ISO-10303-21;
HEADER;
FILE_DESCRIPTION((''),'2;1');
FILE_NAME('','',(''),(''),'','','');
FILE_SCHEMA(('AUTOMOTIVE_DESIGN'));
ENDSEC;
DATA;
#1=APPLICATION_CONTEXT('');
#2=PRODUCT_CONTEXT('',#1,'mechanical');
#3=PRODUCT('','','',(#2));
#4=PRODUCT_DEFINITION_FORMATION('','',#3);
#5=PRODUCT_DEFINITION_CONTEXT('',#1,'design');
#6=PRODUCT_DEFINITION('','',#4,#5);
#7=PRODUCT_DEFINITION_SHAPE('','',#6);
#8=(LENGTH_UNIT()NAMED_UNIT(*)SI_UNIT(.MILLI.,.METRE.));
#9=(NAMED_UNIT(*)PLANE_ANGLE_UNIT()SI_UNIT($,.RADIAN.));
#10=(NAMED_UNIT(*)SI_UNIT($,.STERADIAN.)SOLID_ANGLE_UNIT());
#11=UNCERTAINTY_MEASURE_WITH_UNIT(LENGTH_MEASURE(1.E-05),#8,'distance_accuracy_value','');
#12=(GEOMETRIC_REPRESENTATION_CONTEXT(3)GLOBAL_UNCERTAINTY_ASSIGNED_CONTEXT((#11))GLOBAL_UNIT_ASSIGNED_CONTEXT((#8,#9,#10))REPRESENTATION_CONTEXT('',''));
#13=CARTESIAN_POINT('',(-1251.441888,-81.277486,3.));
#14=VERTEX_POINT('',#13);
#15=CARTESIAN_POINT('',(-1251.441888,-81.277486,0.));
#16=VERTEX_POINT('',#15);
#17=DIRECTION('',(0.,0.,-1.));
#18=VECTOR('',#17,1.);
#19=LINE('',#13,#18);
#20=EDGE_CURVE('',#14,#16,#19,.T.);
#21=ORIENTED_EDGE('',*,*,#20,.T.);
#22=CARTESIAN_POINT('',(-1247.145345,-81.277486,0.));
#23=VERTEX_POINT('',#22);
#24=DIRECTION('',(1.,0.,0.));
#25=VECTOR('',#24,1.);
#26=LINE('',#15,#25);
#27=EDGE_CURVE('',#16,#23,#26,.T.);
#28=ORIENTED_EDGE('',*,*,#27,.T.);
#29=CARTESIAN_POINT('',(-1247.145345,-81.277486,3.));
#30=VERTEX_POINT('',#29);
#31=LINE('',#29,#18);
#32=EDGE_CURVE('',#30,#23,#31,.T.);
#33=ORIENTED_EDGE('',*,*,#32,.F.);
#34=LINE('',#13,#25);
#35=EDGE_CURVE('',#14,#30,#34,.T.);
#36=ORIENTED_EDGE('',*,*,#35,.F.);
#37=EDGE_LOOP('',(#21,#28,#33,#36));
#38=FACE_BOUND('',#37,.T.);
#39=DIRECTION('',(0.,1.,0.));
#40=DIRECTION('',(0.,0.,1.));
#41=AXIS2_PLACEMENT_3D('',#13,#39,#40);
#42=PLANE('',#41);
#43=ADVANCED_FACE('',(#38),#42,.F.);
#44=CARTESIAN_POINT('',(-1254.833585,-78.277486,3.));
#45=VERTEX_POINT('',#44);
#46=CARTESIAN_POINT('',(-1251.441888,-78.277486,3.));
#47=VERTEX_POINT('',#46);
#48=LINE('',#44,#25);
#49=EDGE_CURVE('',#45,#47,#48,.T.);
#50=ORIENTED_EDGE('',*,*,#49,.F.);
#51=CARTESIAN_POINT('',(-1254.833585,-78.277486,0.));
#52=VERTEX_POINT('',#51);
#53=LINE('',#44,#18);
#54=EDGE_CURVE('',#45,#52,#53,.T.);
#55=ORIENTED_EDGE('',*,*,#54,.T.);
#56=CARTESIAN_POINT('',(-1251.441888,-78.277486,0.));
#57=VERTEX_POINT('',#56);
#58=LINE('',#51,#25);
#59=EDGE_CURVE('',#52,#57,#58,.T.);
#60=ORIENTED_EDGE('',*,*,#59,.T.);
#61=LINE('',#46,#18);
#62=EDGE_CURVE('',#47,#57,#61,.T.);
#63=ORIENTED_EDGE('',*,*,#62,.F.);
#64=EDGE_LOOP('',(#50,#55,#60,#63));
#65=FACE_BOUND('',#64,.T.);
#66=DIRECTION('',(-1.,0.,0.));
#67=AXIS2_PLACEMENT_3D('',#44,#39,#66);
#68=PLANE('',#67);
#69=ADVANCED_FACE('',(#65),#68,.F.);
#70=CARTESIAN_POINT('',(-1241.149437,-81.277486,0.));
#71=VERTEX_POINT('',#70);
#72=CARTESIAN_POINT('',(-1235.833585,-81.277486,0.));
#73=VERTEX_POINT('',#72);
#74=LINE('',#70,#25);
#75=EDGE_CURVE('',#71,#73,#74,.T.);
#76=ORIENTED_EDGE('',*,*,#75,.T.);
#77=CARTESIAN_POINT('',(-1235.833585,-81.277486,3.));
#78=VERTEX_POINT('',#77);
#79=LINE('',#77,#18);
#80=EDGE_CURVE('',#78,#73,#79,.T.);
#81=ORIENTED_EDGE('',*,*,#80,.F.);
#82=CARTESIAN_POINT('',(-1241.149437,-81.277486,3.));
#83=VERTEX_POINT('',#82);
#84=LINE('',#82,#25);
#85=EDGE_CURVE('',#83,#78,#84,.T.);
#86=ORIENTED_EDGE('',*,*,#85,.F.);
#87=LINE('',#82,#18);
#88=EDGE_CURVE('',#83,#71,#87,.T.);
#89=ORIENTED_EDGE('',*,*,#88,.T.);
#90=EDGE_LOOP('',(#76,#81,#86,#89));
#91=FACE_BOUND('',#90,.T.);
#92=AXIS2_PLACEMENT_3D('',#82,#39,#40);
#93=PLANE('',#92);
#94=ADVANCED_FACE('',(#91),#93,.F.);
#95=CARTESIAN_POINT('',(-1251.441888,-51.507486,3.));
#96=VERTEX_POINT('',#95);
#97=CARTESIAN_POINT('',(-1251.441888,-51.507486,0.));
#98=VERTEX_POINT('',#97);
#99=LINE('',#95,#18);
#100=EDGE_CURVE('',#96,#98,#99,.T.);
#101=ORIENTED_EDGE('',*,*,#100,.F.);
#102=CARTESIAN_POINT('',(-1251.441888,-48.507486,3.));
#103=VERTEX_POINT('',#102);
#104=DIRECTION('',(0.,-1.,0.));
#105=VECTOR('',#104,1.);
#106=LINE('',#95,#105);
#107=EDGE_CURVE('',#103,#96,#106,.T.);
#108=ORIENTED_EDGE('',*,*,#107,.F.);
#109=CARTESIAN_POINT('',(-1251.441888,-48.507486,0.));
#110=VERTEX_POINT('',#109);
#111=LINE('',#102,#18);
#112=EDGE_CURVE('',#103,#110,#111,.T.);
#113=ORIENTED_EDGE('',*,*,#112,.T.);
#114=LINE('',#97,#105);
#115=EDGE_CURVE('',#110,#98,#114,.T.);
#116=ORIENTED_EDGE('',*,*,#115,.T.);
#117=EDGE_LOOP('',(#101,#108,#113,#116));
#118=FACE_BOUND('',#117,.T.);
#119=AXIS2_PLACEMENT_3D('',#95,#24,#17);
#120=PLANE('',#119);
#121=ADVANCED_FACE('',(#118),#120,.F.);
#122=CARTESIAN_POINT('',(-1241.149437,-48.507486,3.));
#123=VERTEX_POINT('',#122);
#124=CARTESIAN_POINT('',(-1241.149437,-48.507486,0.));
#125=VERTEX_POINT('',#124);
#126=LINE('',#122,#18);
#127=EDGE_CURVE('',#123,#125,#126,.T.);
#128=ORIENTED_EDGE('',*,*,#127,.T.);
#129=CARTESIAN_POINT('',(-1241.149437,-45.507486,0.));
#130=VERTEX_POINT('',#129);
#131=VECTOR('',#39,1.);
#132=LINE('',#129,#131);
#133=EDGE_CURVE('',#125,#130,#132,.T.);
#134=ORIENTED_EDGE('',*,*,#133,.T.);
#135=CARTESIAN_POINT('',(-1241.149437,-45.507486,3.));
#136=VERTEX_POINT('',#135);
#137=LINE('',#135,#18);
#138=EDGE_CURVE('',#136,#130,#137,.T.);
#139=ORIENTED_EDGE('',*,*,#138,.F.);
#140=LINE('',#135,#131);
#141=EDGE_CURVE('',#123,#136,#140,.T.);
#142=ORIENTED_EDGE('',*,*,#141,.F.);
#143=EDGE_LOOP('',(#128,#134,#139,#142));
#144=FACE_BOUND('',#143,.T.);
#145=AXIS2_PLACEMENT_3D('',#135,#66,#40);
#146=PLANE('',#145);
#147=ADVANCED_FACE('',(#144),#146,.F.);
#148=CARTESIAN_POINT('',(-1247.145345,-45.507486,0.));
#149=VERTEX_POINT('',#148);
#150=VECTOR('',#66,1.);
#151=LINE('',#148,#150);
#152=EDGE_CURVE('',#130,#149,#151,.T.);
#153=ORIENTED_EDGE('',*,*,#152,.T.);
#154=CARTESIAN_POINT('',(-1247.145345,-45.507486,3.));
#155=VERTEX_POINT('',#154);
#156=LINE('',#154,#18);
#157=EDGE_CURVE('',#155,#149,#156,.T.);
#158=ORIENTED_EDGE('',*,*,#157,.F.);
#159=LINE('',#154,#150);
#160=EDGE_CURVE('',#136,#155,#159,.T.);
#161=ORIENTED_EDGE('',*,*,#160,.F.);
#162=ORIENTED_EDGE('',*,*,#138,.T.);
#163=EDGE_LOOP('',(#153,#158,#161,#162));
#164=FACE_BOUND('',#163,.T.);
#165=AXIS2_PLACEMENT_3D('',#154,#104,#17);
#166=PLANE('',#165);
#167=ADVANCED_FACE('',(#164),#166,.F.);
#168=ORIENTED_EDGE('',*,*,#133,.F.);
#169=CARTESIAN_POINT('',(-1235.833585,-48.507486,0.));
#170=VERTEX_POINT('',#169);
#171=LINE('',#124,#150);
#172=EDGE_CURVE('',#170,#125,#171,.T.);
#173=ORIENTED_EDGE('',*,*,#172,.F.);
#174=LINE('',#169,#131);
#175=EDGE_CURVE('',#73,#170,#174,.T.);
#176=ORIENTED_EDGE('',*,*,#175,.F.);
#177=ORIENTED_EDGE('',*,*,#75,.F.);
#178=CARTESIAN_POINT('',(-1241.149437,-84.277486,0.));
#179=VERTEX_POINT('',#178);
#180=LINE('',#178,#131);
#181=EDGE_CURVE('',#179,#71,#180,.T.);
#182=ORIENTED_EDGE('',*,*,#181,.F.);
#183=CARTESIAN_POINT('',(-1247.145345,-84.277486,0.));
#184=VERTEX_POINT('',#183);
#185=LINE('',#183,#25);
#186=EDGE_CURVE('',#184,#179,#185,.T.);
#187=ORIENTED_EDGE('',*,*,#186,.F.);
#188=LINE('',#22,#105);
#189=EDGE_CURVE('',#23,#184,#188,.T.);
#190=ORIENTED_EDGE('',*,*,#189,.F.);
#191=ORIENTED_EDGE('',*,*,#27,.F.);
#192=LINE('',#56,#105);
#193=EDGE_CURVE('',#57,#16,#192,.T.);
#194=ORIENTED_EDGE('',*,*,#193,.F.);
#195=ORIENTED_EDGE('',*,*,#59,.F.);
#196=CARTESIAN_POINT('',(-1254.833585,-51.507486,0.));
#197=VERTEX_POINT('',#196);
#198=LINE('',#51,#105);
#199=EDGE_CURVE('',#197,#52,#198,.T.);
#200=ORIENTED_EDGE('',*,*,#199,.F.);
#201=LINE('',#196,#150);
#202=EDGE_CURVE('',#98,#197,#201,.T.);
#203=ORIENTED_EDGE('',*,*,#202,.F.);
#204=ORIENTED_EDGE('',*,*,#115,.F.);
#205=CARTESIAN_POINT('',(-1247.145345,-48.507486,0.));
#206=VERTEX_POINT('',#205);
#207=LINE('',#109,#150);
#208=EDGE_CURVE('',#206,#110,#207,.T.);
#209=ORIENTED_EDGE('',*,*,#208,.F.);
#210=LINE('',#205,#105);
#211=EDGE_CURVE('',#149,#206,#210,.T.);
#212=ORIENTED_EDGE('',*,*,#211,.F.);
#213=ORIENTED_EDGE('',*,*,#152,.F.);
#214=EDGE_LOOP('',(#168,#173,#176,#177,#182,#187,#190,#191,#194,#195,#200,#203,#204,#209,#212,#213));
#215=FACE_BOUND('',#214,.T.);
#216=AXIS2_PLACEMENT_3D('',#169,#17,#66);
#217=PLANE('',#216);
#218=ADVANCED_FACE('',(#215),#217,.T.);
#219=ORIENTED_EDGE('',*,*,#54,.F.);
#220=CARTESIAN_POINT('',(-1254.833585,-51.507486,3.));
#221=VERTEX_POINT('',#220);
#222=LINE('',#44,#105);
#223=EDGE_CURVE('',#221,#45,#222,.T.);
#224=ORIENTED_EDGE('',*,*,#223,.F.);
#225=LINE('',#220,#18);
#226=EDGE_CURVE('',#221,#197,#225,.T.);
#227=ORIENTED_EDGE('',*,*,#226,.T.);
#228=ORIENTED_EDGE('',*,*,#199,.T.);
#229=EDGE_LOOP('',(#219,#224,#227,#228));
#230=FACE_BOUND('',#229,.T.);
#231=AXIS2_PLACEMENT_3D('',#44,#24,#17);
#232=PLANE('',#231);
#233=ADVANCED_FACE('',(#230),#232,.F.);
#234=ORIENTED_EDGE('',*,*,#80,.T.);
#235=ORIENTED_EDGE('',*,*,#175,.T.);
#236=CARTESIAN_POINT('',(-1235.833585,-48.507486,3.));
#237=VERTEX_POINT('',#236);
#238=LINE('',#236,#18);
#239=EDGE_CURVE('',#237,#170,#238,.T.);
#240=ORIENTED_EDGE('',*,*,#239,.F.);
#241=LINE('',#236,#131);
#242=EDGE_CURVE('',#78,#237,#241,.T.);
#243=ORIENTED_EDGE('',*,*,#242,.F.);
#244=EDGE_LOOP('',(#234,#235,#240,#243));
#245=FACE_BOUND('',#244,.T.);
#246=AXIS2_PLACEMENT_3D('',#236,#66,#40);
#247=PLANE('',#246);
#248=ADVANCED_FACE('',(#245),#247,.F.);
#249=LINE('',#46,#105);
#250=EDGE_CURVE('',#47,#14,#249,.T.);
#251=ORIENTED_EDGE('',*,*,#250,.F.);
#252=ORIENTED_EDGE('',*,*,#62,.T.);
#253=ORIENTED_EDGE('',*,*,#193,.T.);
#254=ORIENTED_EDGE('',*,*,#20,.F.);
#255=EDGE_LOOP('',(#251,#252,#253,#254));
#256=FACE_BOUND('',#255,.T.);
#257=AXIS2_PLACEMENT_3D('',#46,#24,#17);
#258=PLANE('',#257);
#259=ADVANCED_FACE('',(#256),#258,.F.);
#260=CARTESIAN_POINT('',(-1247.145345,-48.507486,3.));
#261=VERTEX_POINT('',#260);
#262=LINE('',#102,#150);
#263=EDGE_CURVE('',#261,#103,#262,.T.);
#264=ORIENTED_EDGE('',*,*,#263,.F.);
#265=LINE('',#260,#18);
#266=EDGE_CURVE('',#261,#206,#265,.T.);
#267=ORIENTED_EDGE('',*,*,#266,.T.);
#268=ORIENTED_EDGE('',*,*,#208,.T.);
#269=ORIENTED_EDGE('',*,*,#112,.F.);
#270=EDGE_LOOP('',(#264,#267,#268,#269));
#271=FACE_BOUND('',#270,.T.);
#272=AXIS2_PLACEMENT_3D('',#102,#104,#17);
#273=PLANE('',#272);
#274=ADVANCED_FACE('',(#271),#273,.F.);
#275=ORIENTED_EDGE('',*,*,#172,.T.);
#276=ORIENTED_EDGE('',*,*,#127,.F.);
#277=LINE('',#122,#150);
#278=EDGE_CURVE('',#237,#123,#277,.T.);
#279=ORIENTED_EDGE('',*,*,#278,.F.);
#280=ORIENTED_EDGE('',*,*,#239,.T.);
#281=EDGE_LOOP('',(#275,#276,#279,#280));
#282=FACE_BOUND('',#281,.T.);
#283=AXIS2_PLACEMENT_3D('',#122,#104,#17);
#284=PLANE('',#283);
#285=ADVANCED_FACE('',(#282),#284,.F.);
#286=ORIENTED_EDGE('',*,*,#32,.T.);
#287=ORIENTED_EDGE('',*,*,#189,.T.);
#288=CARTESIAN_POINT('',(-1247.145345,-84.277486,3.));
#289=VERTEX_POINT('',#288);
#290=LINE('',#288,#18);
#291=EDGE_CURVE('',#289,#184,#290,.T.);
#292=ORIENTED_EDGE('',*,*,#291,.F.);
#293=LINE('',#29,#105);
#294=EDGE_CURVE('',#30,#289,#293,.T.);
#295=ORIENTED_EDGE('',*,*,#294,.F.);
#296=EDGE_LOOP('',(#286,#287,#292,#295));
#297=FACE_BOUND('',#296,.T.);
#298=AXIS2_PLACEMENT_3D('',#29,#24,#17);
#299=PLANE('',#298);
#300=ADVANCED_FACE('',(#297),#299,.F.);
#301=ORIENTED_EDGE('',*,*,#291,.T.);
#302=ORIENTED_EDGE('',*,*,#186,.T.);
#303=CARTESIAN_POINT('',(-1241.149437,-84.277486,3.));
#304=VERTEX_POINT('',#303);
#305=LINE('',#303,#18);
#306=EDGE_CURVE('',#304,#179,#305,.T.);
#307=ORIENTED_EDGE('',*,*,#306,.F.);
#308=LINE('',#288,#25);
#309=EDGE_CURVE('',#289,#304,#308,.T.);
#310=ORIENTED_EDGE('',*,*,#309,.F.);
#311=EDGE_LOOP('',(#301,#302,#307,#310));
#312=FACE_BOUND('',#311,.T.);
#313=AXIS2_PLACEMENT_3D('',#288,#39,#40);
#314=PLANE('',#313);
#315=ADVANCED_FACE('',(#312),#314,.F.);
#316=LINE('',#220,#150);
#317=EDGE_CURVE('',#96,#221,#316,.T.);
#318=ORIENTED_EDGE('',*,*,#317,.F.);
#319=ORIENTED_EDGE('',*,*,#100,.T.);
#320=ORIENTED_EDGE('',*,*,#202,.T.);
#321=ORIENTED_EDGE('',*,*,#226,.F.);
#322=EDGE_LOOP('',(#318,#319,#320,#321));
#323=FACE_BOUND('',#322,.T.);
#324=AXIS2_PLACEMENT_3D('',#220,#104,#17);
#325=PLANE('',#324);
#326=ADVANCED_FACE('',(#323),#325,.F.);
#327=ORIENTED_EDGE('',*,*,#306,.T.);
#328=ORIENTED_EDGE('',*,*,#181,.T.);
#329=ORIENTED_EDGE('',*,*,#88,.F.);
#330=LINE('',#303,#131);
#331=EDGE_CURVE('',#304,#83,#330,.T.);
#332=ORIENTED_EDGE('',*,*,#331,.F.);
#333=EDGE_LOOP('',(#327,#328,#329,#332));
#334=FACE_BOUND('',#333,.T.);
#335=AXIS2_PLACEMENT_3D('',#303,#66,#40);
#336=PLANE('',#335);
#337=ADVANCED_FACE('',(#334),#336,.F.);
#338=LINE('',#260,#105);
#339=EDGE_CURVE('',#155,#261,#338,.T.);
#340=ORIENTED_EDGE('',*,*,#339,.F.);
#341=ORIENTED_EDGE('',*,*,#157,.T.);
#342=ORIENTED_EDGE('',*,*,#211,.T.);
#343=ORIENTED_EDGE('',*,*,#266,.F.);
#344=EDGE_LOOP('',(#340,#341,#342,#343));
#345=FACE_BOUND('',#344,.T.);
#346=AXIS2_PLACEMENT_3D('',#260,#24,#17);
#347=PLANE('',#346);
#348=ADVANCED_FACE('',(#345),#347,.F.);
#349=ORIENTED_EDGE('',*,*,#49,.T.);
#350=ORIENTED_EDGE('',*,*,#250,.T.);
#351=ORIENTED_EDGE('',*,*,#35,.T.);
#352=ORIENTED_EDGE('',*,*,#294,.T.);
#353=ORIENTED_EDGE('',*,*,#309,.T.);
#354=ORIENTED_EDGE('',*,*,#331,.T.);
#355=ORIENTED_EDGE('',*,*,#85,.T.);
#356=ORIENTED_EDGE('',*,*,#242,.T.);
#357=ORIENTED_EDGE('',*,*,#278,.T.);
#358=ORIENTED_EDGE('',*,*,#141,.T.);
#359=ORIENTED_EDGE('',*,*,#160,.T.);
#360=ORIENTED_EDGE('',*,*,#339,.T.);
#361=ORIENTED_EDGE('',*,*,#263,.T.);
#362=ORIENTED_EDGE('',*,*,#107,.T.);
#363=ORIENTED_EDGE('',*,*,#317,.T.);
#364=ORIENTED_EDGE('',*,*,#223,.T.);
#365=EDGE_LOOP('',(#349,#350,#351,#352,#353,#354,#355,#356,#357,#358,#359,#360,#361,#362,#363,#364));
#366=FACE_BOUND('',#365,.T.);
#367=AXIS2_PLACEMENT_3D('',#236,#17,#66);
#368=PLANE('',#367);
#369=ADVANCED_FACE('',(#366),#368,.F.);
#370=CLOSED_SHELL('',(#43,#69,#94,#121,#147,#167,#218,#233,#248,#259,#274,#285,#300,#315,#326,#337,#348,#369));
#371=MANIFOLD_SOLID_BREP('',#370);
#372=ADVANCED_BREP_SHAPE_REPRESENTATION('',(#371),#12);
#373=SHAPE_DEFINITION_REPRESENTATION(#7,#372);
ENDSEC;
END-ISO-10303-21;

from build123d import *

# Parameters (mm, degrees)
BASE_EXTRUDE_DEPTH = 3


with BuildPart() as part:
    # Sketch1 → Base-Extrude (new body)
    with BuildSketch(Plane.XY):
        Polygon((-1235.833585259, -48.507485994), (-1235.833585259, -81.277485994), (-1241.149437105, -81.277485994), (-1241.149437105, -84.277485994), (-1247.145344684, -84.277485994), (-1247.145344684, -81.277485994), (-1251.441888482, -81.277485994), (-1251.441888482, -78.277485994), (-1254.833585259, -78.277485994), (-1254.833585259, -51.507485994), (-1251.441888482, -51.507485994), (-1251.441888482, -48.507485994), (-1247.145344684, -48.507485994), (-1247.145344684, -45.507485994), (-1241.149437105, -45.507485994), (-1241.149437105, -48.507485994), align=None)
    extrude(amount=BASE_EXTRUDE_DEPTH)


solid = part.part
